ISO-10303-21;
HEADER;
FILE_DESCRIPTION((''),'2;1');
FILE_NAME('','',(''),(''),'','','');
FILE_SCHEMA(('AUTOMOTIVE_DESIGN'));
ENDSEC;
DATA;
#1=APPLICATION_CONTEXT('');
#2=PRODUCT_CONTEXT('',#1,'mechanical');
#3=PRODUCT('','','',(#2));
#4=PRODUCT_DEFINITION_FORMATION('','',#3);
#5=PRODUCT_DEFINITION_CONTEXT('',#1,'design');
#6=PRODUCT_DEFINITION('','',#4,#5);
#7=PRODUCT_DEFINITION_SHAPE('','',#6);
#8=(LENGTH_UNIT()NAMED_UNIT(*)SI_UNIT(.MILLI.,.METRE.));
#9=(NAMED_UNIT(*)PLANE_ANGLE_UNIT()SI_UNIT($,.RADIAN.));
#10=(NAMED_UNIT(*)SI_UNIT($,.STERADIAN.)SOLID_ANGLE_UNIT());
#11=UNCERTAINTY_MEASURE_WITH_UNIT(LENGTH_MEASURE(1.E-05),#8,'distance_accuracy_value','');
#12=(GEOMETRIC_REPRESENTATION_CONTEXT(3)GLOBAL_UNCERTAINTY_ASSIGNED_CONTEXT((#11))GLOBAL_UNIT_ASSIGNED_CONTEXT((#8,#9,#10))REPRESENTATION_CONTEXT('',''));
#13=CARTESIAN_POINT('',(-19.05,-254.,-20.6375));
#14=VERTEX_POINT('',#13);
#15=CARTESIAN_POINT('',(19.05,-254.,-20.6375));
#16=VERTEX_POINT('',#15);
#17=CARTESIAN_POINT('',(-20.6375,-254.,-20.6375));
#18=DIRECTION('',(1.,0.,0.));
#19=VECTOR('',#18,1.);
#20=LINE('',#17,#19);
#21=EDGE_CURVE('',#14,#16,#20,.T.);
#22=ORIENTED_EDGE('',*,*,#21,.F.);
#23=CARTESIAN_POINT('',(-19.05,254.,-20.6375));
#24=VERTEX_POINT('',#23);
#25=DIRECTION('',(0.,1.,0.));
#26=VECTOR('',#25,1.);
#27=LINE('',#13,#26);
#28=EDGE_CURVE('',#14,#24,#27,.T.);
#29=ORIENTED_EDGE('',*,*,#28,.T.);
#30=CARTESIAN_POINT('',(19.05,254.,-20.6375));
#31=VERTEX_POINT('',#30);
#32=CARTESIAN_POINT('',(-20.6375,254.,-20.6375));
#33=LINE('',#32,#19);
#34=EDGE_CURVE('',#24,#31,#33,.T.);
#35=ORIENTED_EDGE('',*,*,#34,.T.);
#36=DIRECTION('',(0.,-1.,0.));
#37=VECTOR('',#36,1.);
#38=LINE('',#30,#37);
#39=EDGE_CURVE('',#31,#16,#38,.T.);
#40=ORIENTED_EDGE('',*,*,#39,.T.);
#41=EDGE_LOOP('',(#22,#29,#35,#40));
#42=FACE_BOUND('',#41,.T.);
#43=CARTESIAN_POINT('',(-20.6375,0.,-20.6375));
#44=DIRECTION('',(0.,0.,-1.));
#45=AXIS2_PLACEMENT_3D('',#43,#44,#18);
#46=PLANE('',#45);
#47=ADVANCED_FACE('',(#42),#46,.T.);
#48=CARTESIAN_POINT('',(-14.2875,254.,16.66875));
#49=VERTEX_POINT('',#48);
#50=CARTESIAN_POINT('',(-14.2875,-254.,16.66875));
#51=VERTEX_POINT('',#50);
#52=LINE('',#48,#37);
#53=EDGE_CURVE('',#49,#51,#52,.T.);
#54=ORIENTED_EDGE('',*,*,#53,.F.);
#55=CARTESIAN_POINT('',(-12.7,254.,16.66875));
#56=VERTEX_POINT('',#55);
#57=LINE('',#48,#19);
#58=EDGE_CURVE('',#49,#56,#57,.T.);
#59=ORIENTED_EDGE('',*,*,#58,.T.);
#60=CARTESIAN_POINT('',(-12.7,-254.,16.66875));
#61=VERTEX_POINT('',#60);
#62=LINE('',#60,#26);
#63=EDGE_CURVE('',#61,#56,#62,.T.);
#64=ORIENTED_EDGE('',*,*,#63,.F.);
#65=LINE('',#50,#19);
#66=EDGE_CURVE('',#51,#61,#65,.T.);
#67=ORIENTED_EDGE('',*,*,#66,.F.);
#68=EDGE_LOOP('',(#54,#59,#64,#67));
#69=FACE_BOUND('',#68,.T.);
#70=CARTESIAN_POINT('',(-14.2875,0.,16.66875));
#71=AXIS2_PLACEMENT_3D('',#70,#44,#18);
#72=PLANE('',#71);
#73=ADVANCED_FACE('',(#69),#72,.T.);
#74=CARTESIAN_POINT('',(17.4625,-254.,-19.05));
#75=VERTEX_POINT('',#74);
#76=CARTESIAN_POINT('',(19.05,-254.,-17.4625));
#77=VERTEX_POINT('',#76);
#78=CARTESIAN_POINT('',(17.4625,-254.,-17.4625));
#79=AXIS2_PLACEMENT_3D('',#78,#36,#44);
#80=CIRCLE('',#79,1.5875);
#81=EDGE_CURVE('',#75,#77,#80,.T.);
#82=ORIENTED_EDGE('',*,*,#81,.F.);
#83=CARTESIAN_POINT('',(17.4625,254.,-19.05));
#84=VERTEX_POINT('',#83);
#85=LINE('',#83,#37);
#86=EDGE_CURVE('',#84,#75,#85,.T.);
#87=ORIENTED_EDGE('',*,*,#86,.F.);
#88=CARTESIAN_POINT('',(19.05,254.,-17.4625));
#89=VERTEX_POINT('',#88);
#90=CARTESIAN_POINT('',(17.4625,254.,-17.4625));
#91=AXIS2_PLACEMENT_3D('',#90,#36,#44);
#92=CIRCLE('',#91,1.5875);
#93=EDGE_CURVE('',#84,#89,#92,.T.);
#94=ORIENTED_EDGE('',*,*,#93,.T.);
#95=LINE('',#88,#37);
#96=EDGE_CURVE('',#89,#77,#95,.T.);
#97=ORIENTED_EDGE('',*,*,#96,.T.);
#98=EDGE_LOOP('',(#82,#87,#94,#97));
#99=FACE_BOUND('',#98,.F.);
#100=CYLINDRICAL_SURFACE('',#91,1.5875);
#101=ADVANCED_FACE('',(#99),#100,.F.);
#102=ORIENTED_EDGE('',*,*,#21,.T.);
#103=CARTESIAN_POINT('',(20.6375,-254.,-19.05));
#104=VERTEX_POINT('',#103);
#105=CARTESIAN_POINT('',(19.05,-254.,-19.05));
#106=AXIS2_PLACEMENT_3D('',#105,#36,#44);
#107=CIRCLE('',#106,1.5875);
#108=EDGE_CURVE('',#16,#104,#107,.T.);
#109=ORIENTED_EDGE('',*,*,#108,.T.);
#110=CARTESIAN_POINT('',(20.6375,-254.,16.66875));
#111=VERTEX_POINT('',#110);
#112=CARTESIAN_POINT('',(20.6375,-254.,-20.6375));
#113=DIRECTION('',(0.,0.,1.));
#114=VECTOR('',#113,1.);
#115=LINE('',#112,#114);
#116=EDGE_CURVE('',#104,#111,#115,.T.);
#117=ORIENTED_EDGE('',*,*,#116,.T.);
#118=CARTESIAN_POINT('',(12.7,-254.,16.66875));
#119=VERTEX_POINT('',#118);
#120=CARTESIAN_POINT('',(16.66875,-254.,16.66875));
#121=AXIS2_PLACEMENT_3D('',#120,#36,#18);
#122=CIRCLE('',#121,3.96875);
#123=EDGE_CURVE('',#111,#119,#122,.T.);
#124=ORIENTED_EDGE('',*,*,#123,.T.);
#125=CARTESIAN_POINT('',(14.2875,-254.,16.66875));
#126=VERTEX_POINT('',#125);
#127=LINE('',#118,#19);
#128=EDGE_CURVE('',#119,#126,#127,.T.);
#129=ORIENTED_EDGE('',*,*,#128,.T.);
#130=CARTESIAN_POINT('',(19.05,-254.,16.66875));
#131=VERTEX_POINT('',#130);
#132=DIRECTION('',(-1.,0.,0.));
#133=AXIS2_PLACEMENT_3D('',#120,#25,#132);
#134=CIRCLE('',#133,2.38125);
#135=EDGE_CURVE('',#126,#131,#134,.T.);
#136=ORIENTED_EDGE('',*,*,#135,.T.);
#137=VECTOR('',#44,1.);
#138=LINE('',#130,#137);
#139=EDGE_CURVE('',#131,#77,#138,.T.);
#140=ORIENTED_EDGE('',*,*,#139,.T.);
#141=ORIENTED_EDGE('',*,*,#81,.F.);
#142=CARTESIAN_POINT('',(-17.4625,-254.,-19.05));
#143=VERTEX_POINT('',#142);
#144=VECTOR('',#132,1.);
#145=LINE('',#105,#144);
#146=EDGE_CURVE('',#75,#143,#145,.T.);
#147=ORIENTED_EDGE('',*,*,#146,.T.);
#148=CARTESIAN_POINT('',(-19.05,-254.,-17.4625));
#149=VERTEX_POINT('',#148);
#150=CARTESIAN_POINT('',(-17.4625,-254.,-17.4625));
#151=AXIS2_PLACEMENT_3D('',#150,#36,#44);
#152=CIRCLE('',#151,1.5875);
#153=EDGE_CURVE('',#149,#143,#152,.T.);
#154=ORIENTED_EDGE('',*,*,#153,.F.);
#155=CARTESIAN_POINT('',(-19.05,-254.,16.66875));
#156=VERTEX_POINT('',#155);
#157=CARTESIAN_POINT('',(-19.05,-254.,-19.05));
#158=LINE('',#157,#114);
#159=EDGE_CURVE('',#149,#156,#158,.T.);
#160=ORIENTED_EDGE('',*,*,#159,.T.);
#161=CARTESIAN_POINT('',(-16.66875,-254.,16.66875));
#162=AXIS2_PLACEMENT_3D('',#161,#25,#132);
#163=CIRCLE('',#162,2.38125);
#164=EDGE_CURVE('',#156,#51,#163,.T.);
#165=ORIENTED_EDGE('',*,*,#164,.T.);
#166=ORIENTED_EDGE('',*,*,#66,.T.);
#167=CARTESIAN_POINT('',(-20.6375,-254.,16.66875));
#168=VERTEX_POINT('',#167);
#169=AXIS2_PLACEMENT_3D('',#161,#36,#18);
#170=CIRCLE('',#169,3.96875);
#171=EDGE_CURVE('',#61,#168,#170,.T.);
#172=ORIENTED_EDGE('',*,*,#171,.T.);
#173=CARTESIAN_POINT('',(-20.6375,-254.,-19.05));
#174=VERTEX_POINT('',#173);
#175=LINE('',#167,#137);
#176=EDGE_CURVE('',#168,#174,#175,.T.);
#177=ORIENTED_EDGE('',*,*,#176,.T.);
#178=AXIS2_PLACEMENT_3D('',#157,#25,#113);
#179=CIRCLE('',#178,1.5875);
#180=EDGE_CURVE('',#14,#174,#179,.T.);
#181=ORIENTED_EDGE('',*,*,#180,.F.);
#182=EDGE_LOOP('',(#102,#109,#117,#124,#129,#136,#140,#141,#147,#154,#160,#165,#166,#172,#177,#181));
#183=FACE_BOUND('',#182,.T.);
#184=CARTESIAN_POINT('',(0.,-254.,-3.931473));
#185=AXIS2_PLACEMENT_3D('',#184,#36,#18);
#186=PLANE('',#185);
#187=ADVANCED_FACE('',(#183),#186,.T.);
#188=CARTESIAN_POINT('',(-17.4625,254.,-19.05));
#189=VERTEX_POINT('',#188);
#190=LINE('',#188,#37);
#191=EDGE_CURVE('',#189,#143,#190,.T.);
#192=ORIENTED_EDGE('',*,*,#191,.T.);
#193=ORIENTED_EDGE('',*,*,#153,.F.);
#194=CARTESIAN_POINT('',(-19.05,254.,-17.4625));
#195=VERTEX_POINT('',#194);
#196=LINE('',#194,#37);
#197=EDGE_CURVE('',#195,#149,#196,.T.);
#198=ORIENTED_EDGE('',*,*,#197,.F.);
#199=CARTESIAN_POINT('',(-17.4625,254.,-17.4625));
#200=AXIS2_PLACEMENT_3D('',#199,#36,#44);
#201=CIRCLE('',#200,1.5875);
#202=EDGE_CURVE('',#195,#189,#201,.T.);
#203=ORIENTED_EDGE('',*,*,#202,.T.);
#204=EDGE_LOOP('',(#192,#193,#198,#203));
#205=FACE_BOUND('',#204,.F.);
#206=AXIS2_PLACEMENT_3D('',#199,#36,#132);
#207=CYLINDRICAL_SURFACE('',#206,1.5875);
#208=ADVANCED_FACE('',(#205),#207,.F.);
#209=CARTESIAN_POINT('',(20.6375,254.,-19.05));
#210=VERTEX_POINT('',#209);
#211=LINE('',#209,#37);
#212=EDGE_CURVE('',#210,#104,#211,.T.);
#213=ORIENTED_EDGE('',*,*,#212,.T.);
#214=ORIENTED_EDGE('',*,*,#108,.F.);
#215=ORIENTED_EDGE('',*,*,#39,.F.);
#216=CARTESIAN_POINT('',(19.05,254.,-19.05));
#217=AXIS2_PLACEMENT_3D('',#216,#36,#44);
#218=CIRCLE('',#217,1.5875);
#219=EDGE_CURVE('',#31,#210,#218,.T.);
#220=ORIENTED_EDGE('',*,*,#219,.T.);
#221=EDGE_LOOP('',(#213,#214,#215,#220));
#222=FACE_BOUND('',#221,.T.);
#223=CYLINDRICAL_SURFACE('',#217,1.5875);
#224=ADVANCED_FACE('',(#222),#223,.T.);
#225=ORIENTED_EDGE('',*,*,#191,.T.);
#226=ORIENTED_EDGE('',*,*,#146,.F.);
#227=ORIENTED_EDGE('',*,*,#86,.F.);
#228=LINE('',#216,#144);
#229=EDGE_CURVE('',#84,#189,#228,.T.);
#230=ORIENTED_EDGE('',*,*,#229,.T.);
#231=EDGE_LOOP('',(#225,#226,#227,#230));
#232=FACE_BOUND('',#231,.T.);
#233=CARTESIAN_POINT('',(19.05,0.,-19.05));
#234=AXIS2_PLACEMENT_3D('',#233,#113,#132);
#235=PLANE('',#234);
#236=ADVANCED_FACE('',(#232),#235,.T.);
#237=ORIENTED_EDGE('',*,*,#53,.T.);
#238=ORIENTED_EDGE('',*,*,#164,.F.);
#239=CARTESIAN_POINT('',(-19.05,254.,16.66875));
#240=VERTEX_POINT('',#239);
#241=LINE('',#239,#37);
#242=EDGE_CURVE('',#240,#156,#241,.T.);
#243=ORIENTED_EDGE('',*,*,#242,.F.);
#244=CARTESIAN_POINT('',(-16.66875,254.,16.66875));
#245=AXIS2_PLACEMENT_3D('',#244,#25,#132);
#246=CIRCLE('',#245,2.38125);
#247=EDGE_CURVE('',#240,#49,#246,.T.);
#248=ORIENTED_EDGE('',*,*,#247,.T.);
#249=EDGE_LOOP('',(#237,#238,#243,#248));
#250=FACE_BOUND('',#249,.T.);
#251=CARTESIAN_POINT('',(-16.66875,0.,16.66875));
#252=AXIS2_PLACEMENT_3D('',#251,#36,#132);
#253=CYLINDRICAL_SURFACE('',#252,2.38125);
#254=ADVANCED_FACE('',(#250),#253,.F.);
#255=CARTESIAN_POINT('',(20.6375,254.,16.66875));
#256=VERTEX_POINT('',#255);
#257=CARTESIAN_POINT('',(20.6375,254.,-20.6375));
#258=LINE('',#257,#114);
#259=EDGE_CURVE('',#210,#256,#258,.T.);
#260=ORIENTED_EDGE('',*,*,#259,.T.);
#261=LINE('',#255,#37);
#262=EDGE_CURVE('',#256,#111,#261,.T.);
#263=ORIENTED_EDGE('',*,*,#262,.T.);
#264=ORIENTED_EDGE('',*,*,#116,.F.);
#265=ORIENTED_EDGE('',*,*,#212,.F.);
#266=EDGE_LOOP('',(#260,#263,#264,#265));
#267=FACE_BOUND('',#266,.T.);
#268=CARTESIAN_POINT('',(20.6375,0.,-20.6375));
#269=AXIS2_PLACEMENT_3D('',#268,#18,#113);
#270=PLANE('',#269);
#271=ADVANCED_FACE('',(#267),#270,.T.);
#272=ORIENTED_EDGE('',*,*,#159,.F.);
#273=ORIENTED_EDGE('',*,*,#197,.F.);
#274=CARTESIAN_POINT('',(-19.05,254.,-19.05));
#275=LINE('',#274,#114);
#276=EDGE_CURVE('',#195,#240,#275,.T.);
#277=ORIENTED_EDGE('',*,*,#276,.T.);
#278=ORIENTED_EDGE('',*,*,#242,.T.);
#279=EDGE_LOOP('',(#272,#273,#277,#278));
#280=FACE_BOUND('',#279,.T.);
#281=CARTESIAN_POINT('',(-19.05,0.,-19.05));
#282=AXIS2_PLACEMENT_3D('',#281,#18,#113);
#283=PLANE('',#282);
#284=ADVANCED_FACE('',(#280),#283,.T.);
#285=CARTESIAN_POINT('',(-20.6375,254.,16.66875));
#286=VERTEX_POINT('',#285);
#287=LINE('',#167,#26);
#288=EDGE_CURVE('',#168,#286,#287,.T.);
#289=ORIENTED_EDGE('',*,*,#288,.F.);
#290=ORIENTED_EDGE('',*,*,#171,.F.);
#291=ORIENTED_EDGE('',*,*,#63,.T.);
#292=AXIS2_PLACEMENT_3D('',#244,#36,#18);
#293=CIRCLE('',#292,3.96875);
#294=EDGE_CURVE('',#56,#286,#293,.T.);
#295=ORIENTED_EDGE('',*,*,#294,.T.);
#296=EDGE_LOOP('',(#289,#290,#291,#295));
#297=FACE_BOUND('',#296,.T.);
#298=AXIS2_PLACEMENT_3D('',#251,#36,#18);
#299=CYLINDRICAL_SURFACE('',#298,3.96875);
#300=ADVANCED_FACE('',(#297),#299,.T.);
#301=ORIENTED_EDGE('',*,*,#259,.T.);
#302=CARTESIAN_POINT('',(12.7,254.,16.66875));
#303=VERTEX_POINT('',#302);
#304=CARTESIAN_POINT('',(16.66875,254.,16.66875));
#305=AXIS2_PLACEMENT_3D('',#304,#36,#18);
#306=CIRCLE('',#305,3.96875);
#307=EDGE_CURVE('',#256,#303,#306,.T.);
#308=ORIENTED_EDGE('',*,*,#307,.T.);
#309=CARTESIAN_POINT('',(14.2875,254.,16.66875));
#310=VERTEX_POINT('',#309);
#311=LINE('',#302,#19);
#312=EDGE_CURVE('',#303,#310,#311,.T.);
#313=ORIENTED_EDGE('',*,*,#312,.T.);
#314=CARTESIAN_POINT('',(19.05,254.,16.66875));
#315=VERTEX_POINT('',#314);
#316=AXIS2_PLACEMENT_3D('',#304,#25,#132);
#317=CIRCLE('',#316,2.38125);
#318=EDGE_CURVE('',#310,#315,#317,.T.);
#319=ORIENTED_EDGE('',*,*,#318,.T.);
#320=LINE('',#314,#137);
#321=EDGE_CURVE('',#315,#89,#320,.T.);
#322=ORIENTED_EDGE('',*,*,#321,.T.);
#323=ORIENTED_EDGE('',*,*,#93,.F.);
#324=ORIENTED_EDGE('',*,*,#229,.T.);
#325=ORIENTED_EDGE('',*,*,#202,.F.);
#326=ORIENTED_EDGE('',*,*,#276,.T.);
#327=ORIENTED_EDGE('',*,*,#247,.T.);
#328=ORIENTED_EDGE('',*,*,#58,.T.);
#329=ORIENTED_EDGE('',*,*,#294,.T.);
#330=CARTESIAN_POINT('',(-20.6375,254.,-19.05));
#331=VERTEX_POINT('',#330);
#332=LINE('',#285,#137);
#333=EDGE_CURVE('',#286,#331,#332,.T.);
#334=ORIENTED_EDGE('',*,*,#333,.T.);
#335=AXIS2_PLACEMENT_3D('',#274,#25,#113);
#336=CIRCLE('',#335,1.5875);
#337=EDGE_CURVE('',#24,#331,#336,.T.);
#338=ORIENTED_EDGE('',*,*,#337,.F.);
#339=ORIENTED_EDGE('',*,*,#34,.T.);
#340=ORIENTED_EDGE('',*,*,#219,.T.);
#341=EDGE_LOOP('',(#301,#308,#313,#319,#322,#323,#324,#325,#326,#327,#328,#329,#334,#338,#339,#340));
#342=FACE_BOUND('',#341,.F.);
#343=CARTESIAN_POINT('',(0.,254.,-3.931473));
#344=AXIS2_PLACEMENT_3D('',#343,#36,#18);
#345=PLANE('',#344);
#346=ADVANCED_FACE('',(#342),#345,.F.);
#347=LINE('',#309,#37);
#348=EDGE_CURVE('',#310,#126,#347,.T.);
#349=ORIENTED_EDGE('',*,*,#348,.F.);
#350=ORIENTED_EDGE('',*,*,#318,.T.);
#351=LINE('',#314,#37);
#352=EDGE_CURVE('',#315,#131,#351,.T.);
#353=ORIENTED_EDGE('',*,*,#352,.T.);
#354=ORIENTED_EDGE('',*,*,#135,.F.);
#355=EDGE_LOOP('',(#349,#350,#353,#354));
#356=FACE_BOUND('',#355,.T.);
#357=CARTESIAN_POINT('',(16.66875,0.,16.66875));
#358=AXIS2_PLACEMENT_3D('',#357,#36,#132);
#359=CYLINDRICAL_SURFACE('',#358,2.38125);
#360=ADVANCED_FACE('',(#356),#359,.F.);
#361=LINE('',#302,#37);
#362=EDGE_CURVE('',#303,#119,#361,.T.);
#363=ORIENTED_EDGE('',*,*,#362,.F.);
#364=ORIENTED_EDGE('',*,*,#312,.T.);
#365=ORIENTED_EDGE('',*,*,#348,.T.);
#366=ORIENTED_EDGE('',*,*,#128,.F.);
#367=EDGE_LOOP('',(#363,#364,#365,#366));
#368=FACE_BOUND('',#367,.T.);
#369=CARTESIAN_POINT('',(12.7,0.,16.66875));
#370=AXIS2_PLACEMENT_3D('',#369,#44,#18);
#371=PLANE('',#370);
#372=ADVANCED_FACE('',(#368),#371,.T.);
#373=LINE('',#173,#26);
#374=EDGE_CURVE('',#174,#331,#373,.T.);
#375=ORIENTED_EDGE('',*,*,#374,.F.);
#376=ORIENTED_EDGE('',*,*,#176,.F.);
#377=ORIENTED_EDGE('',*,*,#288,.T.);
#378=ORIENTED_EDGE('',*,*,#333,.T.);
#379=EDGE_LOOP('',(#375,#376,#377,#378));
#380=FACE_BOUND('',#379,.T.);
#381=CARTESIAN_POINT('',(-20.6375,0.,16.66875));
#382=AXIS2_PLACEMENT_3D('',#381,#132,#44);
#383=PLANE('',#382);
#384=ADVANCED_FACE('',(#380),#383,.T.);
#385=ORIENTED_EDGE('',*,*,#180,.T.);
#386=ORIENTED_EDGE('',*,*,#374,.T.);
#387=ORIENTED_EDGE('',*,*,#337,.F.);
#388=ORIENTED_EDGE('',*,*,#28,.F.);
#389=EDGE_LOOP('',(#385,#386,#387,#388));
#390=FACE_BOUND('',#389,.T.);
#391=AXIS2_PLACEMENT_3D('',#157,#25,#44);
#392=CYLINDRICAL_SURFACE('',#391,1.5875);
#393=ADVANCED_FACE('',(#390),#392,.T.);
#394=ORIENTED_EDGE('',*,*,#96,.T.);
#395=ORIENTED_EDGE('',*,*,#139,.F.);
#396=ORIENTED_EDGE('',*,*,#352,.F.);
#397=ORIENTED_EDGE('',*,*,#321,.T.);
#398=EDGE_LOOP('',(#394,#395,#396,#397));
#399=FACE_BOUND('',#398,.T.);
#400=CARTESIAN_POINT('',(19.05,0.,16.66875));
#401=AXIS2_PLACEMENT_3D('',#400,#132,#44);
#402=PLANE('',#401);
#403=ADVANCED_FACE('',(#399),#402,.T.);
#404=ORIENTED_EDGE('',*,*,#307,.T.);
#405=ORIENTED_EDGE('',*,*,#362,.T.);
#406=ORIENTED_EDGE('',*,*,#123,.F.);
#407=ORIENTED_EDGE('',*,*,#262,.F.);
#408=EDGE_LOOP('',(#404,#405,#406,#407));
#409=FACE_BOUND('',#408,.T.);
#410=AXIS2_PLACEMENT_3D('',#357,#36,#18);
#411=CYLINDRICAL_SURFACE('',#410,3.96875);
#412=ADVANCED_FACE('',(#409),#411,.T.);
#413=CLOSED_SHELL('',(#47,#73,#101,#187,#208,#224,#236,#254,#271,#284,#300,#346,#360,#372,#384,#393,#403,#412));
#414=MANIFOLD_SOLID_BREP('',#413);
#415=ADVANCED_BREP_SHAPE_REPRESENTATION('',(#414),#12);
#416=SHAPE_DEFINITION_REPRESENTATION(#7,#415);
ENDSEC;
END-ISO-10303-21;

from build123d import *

# Parameters (mm, degrees)
F1_DEPTH = 254
F2_R     = 1.5875


with BuildPart() as f1:
    # F0 (on Front) → F1 (new body, symmetric)
    with BuildSketch(Plane.XZ):
        with BuildLine():
            Line((-20.6375, -20.6375), (20.6375, -20.6375))
            Line((20.6375, -20.6375), (20.6375, 16.66875))
            ThreePointArc((20.6375, 16.66875), (16.66875, 20.6375), (12.7, 16.66875))
            Line((12.7, 16.66875), (14.2875, 16.66875))
            ThreePointArc((14.2875, 16.66875), (16.66875, 19.05), (19.05, 16.66875))
            Line((19.05, 16.66875), (19.05, -19.05))
            Line((19.05, -19.05), (-19.05, -19.05))
            Line((-19.05, -19.05), (-19.05, 16.66875))
            ThreePointArc((-19.05, 16.66875), (-16.66875, 19.05), (-14.2875, 16.66875))
            Line((-14.2875, 16.66875), (-12.7, 16.66875))
            ThreePointArc((-12.7, 16.66875), (-16.66875, 20.6375), (-20.6375, 16.66875))
            Line((-20.6375, 16.66875), (-20.6375, -20.6375))
        make_face()
    extrude(amount=F1_DEPTH, both=True)

    # F2
    f2_edges = [f1.edges().sort_by_distance(p)[0] for p in [
        (-19.05, 0, -19.05),
        (19.05, 0, -19.05),
        (20.6375, 0, -20.6375),
        (-20.6375, 0, -20.6375),
    ]]
    fillet(f2_edges, radius=F2_R)


solid = f1.part
